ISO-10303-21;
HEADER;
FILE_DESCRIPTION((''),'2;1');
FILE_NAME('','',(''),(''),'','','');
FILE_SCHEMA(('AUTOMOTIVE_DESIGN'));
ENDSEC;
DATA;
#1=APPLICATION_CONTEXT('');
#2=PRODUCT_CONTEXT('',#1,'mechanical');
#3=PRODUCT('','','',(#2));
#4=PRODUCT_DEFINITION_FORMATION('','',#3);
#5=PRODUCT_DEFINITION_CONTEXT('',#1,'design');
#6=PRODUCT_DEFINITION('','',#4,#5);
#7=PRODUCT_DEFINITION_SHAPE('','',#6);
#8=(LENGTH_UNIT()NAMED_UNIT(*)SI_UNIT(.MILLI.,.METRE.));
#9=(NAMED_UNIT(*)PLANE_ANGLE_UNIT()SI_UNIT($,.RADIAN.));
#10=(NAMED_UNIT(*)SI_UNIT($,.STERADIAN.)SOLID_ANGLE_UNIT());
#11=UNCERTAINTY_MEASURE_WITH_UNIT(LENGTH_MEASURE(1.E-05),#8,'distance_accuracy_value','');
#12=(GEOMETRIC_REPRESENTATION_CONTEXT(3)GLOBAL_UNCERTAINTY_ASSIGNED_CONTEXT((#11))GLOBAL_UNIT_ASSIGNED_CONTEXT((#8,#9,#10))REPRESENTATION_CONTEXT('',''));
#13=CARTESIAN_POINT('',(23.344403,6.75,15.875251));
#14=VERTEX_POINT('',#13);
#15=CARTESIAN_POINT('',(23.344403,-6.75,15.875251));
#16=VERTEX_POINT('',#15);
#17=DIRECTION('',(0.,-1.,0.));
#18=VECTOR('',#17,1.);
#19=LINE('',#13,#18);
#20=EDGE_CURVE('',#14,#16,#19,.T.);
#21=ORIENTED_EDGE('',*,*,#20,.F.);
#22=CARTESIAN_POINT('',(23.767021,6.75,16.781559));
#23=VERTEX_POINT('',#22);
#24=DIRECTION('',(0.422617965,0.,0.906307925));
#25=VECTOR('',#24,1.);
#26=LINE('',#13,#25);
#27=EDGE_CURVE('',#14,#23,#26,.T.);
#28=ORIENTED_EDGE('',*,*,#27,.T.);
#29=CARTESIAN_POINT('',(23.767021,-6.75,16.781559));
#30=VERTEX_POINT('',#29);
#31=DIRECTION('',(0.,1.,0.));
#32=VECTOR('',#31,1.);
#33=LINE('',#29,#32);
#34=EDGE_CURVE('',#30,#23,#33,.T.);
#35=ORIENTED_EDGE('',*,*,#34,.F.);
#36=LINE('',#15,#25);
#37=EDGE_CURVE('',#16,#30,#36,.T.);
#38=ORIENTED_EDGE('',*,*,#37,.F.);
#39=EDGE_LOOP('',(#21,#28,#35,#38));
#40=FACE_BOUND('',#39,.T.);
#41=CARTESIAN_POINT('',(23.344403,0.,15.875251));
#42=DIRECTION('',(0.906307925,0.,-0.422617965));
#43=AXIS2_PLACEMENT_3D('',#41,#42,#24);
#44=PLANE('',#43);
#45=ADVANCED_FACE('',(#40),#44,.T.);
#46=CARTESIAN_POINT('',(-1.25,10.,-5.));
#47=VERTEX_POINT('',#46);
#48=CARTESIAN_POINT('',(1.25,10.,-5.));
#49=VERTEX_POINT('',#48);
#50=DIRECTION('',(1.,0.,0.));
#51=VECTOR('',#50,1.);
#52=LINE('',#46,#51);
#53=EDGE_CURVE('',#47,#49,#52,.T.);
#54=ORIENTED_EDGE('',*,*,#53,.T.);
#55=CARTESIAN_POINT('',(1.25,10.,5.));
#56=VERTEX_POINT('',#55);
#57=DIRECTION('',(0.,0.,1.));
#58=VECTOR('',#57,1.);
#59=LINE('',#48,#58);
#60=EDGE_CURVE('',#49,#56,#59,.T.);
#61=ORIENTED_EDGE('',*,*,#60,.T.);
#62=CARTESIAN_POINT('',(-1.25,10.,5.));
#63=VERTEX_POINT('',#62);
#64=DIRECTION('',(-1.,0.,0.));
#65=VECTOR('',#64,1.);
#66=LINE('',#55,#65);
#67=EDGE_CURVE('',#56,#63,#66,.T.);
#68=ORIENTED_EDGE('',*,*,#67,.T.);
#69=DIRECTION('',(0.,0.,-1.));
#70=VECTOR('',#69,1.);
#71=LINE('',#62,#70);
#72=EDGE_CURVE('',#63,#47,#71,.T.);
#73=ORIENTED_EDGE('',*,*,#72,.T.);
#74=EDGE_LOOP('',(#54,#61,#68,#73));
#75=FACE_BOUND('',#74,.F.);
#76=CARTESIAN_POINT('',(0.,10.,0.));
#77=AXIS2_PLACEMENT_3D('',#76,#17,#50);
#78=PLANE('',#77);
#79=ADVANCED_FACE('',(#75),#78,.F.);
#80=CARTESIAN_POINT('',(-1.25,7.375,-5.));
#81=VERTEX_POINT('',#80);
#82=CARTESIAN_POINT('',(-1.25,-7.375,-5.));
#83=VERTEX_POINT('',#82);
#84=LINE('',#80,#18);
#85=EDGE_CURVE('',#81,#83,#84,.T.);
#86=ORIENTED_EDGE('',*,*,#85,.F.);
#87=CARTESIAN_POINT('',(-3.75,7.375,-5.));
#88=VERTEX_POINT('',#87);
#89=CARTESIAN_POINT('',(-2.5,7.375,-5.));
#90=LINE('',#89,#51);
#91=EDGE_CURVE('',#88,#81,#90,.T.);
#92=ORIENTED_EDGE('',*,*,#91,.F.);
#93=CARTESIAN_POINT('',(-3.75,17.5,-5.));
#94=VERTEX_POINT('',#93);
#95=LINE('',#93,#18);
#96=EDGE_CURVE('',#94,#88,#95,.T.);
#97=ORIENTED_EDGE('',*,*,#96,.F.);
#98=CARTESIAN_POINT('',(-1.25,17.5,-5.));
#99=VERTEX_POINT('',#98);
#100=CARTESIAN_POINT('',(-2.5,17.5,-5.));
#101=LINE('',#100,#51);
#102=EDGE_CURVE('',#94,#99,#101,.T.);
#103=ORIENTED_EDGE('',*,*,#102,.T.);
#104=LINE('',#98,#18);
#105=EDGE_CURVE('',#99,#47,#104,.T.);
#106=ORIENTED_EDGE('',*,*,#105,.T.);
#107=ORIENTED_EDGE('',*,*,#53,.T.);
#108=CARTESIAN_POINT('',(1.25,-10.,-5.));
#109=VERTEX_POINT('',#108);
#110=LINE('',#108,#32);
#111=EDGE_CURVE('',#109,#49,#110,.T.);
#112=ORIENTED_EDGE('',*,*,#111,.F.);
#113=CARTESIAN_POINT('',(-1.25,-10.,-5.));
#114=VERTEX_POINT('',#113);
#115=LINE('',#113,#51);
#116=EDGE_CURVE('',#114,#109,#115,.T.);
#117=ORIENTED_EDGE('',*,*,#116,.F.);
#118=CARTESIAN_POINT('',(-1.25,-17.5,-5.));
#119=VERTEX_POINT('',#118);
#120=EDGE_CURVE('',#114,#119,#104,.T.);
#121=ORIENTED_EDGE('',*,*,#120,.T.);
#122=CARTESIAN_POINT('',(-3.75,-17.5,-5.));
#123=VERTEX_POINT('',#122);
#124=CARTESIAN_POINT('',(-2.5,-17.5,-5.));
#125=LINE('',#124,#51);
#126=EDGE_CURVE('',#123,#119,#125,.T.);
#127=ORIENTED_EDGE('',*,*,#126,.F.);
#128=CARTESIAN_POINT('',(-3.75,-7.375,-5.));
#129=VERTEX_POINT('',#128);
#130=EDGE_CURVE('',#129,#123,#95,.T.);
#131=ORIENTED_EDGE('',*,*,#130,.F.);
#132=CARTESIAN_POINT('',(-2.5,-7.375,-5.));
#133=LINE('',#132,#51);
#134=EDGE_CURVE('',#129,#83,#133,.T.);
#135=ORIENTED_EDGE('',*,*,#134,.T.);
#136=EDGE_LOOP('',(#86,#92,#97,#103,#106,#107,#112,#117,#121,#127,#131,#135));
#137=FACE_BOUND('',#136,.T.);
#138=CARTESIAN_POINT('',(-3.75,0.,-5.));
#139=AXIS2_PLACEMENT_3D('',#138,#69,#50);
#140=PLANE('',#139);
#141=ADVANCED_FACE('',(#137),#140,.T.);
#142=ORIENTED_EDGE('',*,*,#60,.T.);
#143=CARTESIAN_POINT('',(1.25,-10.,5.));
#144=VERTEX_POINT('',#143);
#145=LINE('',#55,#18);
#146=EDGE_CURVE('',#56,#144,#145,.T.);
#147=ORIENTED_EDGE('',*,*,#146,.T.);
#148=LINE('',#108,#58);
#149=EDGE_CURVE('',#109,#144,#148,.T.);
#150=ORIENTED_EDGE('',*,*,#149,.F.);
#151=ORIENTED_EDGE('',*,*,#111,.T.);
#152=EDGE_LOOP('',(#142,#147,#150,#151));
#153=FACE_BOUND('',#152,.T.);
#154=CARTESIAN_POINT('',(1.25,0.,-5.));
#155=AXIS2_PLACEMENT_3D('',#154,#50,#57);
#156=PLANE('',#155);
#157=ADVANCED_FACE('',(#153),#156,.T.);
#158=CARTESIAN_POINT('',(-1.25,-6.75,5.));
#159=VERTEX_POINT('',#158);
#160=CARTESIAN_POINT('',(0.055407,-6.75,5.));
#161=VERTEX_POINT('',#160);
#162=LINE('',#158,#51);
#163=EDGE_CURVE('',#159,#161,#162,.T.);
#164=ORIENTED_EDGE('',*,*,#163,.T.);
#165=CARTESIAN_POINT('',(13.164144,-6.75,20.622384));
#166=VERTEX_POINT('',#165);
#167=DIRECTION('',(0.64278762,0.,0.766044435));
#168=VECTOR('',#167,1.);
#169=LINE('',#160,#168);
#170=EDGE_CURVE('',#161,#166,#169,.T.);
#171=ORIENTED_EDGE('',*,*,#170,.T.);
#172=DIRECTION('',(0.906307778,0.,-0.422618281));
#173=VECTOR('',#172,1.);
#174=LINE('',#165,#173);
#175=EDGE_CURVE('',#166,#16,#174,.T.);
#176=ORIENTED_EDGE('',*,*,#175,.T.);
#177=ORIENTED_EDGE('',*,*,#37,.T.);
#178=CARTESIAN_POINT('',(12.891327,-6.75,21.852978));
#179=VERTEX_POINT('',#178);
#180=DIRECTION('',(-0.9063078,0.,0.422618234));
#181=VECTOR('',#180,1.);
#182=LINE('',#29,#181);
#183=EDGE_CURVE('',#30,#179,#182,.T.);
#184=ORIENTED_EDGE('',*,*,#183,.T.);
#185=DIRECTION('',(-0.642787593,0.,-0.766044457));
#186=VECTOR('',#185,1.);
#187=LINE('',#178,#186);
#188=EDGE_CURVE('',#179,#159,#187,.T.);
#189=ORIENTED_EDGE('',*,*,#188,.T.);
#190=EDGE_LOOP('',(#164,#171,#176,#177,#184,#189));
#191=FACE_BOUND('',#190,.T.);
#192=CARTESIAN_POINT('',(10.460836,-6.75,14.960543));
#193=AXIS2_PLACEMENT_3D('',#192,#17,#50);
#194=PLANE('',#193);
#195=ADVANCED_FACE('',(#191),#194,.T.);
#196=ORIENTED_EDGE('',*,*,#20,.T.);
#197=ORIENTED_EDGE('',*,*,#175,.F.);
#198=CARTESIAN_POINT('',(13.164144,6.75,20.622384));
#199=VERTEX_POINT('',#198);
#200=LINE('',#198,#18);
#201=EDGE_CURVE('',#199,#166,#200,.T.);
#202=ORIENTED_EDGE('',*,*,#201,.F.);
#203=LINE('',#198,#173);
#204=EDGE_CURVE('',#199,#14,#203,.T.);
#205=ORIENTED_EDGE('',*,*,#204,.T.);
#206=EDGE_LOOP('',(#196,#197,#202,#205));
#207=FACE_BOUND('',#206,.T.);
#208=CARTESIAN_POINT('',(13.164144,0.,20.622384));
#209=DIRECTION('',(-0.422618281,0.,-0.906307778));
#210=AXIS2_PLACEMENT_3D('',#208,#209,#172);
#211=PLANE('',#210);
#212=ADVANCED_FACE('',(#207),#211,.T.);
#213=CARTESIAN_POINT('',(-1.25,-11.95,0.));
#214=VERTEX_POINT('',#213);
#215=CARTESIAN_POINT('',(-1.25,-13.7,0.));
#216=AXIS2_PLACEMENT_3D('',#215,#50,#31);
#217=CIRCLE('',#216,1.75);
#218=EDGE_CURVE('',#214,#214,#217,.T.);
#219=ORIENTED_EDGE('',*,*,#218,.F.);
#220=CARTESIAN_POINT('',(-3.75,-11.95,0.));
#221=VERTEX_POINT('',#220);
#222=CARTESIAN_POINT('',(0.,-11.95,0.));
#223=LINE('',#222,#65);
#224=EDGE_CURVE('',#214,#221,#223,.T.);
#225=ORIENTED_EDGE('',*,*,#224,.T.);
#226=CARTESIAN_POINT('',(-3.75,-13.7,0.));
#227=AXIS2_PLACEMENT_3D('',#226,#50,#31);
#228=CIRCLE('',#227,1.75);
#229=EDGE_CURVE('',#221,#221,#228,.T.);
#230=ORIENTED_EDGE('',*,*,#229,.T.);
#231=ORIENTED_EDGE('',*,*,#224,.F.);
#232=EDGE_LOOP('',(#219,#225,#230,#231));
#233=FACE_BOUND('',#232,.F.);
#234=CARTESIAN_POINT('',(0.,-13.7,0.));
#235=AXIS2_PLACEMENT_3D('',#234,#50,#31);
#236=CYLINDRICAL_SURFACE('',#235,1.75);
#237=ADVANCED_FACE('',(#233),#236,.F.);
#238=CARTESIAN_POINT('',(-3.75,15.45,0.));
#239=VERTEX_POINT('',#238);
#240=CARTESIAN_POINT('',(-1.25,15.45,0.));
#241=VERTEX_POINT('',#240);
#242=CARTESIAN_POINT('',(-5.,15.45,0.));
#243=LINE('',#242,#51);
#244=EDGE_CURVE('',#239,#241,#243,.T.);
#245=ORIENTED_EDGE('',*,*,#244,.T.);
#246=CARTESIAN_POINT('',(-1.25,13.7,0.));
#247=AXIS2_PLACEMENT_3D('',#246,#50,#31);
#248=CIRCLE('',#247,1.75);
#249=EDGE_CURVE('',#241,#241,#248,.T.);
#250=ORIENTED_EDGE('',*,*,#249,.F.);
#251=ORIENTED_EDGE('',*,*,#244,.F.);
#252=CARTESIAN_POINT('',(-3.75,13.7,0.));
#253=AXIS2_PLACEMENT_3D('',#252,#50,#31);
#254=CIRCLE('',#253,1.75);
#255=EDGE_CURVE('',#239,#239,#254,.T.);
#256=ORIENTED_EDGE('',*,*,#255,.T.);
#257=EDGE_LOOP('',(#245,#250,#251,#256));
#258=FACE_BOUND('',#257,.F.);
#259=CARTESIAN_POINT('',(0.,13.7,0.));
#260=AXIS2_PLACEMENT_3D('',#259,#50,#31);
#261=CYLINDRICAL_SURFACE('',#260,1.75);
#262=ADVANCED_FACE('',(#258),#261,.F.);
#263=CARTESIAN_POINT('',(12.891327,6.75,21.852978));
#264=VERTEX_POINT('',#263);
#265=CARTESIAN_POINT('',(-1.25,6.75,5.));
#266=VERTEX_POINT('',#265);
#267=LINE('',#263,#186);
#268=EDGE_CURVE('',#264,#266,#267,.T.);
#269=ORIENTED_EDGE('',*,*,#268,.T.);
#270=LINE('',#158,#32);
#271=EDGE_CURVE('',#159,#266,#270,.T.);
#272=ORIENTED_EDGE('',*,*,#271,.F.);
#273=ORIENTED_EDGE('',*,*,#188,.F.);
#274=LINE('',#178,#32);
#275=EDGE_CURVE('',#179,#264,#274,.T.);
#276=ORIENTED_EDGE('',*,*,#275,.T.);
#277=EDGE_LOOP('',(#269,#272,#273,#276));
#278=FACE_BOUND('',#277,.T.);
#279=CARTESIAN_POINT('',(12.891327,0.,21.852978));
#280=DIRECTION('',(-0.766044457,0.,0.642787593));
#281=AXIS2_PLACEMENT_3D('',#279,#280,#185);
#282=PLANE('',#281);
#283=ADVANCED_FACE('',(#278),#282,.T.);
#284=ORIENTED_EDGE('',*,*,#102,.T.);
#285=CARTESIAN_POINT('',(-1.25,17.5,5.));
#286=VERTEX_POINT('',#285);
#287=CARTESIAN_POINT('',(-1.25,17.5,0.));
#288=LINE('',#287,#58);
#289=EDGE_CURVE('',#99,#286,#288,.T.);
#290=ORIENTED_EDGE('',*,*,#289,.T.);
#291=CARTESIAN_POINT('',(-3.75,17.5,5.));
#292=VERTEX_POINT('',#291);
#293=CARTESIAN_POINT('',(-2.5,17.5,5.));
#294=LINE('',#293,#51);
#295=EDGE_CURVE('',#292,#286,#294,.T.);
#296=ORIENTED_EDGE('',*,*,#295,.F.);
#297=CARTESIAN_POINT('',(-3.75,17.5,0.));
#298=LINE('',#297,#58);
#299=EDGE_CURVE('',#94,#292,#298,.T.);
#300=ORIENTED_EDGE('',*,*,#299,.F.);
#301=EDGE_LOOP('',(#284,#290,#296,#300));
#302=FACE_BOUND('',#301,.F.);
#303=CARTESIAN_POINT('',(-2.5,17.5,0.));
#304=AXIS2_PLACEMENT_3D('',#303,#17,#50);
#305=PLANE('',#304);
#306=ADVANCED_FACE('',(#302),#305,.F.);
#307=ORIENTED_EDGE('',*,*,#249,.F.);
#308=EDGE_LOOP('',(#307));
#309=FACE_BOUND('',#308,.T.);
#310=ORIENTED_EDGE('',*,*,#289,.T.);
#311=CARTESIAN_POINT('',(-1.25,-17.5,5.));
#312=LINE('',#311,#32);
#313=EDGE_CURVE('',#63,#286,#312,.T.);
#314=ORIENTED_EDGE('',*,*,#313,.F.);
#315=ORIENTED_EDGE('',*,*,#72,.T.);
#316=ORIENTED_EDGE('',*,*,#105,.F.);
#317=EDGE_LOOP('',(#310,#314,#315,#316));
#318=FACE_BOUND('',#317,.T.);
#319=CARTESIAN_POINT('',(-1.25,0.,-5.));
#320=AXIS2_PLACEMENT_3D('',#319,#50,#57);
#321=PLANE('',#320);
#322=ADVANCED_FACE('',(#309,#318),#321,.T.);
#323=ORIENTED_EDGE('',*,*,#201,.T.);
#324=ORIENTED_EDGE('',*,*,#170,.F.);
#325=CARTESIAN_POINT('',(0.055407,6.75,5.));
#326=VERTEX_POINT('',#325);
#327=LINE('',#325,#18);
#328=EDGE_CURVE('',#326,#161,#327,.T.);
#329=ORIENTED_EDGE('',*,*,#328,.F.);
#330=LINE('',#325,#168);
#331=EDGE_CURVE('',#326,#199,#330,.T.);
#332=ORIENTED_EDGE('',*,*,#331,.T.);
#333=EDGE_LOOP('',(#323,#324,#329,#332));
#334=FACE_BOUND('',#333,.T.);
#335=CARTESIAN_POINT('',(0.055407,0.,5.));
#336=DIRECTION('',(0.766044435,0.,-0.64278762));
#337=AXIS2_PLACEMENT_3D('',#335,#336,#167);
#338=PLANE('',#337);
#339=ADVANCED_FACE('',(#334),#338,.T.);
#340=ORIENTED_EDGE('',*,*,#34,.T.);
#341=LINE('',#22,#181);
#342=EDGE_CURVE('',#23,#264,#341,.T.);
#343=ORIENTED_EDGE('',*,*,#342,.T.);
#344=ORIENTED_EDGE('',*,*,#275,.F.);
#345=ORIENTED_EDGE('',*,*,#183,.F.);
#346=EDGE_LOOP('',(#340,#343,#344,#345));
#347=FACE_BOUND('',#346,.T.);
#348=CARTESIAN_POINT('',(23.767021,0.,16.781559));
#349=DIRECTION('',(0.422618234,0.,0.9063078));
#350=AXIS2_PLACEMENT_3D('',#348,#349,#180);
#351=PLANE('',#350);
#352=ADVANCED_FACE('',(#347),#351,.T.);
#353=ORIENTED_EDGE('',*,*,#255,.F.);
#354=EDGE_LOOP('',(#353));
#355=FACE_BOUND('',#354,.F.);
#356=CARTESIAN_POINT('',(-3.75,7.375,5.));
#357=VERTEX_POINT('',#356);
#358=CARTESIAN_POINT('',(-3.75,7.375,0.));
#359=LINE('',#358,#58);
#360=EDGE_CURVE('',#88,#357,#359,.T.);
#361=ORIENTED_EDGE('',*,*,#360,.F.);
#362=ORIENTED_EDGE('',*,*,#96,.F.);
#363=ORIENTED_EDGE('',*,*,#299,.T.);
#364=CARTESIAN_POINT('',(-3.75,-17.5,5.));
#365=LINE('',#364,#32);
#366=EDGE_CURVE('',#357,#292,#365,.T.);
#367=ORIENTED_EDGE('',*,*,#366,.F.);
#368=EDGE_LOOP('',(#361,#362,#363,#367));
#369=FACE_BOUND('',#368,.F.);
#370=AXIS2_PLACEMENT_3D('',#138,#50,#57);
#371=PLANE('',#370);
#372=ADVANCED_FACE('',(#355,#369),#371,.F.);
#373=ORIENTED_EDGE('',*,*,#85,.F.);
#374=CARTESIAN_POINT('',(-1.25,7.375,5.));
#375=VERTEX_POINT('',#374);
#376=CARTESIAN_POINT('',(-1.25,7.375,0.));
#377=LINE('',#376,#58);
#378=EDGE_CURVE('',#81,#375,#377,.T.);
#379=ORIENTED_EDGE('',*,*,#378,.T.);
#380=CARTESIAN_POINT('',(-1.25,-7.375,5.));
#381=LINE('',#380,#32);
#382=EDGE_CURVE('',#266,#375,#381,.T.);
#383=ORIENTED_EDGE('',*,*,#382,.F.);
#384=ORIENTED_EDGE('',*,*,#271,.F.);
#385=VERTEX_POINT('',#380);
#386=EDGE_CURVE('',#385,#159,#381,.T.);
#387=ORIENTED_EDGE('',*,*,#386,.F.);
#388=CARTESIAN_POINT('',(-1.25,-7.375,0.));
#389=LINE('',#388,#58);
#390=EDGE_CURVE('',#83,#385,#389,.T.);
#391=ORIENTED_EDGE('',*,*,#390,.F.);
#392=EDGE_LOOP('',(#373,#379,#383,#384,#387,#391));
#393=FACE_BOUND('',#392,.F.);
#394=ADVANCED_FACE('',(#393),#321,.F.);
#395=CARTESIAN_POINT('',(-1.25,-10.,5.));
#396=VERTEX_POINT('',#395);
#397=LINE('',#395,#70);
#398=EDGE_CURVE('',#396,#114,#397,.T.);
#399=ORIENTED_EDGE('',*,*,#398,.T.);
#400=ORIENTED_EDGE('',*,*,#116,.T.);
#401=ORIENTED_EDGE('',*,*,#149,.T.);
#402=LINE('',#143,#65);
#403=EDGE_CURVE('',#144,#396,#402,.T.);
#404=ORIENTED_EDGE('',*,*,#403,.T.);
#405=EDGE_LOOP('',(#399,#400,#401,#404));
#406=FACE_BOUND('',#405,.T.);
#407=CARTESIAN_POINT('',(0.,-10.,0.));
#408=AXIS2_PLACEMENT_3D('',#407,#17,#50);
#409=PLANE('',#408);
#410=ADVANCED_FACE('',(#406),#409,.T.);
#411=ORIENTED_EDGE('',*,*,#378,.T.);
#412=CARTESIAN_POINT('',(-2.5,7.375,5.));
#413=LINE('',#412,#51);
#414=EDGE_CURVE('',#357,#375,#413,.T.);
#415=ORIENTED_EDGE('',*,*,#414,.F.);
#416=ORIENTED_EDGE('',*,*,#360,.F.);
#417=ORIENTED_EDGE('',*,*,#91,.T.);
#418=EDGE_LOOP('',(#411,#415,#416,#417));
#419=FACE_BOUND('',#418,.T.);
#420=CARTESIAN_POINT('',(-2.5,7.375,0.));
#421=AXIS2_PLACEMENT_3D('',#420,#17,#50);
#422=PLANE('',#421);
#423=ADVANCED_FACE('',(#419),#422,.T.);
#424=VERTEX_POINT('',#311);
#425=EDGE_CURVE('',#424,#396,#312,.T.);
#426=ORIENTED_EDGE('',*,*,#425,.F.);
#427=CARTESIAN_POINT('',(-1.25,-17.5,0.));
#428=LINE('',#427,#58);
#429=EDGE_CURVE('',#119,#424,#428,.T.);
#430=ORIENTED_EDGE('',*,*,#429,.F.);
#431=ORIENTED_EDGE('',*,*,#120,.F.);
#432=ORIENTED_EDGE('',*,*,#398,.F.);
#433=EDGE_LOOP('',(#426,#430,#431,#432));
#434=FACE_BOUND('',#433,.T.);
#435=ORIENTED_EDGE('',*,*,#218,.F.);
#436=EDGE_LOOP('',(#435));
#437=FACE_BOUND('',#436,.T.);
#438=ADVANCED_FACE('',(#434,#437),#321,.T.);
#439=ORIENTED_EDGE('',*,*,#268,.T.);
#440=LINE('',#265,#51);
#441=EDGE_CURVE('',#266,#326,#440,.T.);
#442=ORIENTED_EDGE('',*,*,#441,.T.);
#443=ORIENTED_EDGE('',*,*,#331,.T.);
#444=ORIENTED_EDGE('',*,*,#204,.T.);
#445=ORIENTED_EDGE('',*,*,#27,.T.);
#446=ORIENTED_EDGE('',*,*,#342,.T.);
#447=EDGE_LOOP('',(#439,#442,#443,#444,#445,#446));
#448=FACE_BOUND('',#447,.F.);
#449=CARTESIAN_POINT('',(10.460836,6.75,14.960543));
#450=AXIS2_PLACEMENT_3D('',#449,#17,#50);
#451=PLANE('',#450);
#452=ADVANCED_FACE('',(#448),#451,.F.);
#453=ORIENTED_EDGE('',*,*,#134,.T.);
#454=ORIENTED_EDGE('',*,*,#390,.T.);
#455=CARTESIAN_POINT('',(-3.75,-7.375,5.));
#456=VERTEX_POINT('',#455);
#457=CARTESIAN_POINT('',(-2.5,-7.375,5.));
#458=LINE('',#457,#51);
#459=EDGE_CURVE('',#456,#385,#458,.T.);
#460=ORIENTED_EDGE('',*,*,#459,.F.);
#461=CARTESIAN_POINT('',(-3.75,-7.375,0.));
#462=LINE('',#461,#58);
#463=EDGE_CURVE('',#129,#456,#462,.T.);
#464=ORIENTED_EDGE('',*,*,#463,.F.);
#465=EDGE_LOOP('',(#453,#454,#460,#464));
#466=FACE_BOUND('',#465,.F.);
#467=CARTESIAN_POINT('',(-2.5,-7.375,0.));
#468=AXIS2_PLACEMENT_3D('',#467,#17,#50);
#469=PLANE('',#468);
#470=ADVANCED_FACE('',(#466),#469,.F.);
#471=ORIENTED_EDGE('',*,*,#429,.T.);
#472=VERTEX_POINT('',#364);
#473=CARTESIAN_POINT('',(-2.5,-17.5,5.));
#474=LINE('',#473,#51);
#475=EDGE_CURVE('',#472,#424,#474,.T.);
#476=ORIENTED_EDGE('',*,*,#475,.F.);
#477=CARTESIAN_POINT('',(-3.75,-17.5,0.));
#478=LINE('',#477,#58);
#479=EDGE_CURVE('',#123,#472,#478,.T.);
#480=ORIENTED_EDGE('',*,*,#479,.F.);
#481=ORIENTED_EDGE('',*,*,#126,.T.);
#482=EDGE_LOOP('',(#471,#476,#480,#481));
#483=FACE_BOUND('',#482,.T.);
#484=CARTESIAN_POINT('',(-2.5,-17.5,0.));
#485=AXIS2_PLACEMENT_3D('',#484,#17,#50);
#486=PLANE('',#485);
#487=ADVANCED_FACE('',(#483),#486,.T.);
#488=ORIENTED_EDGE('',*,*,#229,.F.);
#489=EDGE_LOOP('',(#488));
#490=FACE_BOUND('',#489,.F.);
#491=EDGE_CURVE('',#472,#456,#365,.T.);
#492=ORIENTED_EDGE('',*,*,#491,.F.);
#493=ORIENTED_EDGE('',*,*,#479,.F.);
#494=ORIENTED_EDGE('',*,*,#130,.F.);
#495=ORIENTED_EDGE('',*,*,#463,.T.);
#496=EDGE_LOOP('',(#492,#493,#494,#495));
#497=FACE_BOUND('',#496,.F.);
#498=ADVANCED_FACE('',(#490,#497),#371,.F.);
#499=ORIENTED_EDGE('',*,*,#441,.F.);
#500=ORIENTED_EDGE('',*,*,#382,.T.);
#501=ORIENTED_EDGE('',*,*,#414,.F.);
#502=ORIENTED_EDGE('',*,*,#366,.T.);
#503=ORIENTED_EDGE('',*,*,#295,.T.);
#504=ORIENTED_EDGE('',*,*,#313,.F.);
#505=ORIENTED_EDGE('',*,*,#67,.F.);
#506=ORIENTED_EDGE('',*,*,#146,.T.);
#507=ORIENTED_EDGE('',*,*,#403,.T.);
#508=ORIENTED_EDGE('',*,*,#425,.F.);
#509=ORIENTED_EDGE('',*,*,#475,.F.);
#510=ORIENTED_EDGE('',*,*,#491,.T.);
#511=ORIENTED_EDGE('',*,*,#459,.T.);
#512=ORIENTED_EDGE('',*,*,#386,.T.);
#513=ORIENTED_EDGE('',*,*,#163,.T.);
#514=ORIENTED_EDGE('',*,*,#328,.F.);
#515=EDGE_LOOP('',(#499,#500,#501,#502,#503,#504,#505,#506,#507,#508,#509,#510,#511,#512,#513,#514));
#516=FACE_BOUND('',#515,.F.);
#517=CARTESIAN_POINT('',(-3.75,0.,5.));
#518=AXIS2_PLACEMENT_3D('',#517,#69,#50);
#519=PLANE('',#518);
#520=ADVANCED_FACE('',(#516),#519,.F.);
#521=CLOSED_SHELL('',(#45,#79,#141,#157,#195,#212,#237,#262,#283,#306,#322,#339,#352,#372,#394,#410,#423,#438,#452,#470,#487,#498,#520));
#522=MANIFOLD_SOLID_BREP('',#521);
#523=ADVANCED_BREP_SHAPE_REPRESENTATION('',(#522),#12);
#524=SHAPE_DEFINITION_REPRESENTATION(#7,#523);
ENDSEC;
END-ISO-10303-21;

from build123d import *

# Parameters (mm, degrees)
F1_DEPTH = 10
F2_DEPTH = 6.75
F0_W     = 2.5
F0_H     = 10
F3_DEPTH = 17.5
F4_DEPTH = 7.375
F5_R     = 1.75
F6_DEPTH = 5


with BuildPart() as f1:
    # F0 (on Front) → F1 (new body, symmetric)
    with BuildSketch(Plane.XZ):
        Polygon((1.25, -5), (1.25, 5), (0.055407, 5), (-1.25, 5), (-1.25, -5), align=None)
    extrude(amount=F1_DEPTH, both=True)

    # F0 (on Front) → F2 (join, symmetric)
    with BuildSketch(Plane.XZ):
        Polygon((-1.25, 5), (0.055407, 5), (13.164144, 20.622384), (23.344403, 15.875251), (23.767021, 16.781559), (12.891327, 21.852978), align=None)
    extrude(amount=F2_DEPTH, both=True)

    # F0 (on Front) → F3 (join, symmetric)
    with BuildSketch(Plane.XZ):
        with Locations((-2.5, 0)):
            Rectangle(F0_W, F0_H)
    extrude(amount=F3_DEPTH, both=True)

    # F0 (on Front) → F4 (cut, symmetric)
    with BuildSketch(Plane.XZ):
        with Locations((-2.5, 0)):
            Rectangle(F0_W, F0_H)
    extrude(amount=F4_DEPTH, both=True, mode=Mode.SUBTRACT)

    # F5 (on Right) → F6 (cut, symmetric)
    with BuildSketch(Plane.YZ):
        with Locations((-13.7, 0)):
            Circle(F5_R)
        with Locations((13.7, 0)):
            Circle(F5_R)
    extrude(amount=F6_DEPTH, both=True, mode=Mode.SUBTRACT)


solid = f1.part
